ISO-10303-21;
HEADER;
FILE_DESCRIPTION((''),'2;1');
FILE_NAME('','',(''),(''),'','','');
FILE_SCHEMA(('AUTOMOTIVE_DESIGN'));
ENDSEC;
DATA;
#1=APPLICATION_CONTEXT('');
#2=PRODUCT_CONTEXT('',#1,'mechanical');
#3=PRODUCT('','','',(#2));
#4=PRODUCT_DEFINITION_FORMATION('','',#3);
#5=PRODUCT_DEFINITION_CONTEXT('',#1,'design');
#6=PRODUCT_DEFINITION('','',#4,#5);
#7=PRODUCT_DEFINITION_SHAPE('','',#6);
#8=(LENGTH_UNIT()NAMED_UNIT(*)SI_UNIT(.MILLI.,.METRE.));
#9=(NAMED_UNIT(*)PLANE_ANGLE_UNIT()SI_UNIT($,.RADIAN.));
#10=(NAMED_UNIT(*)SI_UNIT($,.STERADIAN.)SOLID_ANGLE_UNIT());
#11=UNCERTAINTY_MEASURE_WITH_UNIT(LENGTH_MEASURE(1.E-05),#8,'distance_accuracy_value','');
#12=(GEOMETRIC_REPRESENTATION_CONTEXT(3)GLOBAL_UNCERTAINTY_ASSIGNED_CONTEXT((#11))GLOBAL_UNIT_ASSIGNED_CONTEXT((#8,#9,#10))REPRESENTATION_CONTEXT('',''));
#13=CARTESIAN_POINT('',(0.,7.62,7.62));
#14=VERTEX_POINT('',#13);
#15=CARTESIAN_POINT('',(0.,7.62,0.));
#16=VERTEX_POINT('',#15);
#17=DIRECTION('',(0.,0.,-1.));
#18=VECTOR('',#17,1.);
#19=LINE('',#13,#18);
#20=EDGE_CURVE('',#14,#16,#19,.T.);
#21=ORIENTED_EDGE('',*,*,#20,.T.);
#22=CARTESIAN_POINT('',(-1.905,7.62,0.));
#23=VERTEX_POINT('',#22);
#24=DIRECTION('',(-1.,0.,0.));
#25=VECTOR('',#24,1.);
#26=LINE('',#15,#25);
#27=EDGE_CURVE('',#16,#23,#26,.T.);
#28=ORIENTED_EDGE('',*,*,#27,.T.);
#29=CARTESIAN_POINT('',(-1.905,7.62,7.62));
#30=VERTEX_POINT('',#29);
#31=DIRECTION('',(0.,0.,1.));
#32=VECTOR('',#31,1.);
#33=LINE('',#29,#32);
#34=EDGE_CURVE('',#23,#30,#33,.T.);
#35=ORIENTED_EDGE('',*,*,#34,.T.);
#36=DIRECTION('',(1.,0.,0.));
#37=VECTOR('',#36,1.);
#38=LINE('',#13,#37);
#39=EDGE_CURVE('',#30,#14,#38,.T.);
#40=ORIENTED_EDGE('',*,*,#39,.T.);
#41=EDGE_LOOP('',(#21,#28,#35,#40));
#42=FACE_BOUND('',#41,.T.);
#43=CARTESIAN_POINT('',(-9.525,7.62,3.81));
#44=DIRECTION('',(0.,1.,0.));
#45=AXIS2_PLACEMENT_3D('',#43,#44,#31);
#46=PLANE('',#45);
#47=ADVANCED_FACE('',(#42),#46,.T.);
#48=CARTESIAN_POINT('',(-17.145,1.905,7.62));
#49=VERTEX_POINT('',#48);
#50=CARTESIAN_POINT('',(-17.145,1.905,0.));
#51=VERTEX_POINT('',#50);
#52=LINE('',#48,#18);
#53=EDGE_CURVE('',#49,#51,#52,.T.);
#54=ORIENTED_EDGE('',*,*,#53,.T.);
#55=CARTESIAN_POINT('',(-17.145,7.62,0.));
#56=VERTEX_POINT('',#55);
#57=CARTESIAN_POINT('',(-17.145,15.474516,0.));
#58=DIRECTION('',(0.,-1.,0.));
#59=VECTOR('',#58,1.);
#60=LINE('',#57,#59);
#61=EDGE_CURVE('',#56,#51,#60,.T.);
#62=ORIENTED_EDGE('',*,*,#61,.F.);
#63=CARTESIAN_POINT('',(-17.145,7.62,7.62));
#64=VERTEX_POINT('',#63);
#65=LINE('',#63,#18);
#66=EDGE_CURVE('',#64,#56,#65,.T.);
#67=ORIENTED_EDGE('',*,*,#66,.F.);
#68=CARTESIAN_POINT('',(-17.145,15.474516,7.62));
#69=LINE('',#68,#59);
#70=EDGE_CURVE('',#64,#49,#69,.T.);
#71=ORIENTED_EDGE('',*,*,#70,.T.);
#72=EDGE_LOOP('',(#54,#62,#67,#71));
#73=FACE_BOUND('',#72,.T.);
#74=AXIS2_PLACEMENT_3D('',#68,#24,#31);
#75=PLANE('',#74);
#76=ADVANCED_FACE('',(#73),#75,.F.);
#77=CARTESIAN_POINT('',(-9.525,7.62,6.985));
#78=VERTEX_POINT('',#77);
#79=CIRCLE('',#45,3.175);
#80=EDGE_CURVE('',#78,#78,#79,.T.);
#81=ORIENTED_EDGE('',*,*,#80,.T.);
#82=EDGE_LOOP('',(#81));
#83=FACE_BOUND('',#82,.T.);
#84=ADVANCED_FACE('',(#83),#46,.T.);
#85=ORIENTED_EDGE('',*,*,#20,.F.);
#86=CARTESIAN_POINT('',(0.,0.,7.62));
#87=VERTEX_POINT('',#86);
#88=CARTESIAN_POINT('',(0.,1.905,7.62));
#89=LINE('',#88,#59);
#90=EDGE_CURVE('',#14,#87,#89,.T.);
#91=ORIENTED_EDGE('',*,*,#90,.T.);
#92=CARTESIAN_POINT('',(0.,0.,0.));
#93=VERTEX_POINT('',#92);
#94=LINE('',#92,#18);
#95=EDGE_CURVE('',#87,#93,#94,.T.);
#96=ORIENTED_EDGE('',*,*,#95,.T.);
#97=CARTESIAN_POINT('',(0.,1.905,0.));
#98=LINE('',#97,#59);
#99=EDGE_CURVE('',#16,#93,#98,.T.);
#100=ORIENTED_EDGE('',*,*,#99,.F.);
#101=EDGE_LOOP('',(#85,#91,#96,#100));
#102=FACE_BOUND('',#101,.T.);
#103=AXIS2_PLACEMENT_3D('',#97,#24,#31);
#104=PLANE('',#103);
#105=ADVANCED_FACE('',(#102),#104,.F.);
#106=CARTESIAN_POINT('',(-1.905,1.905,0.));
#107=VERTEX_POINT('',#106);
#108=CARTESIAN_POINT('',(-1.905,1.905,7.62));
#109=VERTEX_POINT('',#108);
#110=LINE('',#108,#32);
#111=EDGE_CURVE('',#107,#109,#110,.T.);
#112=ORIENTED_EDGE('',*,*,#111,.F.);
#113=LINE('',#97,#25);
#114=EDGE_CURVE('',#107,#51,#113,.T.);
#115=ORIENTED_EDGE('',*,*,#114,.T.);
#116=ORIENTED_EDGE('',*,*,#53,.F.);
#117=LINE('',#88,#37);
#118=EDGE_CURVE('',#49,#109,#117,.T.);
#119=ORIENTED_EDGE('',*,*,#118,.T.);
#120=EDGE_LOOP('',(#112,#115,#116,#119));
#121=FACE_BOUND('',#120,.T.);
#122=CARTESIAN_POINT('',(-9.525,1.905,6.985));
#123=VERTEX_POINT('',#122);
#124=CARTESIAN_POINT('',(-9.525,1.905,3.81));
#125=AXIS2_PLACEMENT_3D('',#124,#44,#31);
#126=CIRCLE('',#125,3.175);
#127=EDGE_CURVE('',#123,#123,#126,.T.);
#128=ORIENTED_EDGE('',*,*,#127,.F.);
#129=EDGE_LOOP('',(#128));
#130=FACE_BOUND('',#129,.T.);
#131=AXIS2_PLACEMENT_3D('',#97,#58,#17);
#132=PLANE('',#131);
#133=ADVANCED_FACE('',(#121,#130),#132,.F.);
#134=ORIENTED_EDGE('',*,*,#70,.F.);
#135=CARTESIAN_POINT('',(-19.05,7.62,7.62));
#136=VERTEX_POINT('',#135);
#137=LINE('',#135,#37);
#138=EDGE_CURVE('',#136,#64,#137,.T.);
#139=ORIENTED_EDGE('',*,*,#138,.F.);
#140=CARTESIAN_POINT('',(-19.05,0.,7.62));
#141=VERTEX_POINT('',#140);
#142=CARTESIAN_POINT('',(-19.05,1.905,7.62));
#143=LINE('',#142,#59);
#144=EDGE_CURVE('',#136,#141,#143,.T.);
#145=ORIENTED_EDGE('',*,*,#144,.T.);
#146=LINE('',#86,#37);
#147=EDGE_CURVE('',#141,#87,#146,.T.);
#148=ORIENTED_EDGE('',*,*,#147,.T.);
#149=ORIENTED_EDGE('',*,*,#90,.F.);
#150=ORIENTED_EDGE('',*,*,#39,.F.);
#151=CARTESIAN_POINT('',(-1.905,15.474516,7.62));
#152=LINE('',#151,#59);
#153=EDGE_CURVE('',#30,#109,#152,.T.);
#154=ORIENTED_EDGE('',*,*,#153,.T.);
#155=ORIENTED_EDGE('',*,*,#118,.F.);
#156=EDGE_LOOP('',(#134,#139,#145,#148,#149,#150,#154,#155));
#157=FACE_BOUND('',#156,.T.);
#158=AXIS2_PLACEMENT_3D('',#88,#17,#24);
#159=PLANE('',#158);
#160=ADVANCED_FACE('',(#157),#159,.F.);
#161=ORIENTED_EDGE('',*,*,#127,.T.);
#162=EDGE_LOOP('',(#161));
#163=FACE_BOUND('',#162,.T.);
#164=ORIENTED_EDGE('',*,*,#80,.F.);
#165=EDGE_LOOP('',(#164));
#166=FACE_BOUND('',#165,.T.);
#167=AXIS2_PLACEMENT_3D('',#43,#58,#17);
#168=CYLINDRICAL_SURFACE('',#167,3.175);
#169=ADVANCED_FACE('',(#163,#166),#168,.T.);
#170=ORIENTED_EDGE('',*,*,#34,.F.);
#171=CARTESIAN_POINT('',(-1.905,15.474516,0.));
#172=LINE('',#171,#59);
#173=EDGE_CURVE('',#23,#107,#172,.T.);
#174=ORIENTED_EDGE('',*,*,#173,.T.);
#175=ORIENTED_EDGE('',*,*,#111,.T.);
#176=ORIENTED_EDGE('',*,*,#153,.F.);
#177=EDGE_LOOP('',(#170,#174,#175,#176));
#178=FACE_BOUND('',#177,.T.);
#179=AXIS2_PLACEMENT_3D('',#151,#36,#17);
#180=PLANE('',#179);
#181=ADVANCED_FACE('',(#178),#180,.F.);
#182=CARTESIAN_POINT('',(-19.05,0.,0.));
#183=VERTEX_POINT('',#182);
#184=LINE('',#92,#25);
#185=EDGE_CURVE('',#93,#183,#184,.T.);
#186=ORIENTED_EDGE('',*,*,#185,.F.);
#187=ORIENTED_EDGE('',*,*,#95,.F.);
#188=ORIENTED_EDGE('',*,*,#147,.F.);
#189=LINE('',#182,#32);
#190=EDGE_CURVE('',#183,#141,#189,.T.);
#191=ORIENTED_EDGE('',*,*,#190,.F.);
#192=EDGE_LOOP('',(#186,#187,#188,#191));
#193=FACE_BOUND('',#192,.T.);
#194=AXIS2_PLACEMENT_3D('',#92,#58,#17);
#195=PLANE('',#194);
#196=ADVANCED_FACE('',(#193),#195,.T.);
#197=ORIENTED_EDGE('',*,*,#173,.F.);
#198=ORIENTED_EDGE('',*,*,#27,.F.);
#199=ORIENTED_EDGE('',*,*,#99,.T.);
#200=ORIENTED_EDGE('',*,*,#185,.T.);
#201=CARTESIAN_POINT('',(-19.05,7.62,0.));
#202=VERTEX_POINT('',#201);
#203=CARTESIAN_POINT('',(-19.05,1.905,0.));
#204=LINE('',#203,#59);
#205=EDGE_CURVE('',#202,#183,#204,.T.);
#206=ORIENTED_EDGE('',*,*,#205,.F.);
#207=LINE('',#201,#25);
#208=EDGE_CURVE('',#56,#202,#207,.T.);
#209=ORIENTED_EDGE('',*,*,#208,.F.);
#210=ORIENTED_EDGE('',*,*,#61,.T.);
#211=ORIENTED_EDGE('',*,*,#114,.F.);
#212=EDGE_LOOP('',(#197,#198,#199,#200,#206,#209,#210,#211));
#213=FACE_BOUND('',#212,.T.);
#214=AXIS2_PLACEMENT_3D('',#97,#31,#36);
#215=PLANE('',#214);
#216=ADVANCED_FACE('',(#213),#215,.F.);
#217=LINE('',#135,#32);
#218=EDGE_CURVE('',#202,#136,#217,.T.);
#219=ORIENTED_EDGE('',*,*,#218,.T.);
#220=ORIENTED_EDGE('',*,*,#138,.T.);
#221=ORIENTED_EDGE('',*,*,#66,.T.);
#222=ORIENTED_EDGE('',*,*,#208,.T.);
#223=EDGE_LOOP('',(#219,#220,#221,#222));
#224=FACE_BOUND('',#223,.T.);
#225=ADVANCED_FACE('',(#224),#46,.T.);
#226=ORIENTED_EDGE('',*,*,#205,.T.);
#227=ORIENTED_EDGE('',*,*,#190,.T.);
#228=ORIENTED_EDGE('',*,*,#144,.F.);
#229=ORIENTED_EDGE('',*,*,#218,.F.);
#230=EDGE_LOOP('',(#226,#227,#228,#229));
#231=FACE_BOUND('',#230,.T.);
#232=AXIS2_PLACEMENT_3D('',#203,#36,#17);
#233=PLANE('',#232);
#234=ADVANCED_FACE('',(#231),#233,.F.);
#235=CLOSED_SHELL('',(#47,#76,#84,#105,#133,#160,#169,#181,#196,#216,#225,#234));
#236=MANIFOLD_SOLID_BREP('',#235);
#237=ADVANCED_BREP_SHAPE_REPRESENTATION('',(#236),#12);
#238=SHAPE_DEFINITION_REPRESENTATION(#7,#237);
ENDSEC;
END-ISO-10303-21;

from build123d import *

# Parameters (mm, degrees)
SKETCH1_W           = 19.05
SKETCH1_H           = 7.62
BOSS_EXTRUDE1_DEPTH = 1.905
SKETCH2_R           = 3.175
BOSS_EXTRUDE2_DEPTH = 5.715
SKETCH3_W           = 1.905
SKETCH3_H           = 7.62
BOSS_EXTRUDE3_DEPTH = 5.715


with BuildPart() as part:
    # Sketch1 → Boss-Extrude1 (new body)
    with BuildSketch(Plane(origin=(0, 0, 0), x_dir=(-1, 0, 0), z_dir=(0, 1, 0))):
        with Locations((9.525, 3.81)):
            Rectangle(SKETCH1_W, SKETCH1_H)
    extrude(amount=BOSS_EXTRUDE1_DEPTH)

    # Sketch2 → Boss-Extrude2 (add)
    with BuildSketch(Plane(origin=(0, 1.905, 0), x_dir=(-1, 0, 0), z_dir=(0, 1, 0))):
        with Locations(Location((9.525, 3.81, 0), (0, 0, 90))):
            Circle(SKETCH2_R)
    extrude(amount=BOSS_EXTRUDE2_DEPTH)

    # Sketch3 → Boss-Extrude3 (add)
    with BuildSketch(Plane(origin=(0, 1.905, 0), x_dir=(-1, 0, 0), z_dir=(0, 1, 0))):
        with Locations((0.9525, 3.81)):
            Rectangle(SKETCH3_W, SKETCH3_H)
        with Locations((18.0975, 3.81)):
            Rectangle(SKETCH3_W, SKETCH3_H)
    extrude(amount=BOSS_EXTRUDE3_DEPTH)


solid = part.part
